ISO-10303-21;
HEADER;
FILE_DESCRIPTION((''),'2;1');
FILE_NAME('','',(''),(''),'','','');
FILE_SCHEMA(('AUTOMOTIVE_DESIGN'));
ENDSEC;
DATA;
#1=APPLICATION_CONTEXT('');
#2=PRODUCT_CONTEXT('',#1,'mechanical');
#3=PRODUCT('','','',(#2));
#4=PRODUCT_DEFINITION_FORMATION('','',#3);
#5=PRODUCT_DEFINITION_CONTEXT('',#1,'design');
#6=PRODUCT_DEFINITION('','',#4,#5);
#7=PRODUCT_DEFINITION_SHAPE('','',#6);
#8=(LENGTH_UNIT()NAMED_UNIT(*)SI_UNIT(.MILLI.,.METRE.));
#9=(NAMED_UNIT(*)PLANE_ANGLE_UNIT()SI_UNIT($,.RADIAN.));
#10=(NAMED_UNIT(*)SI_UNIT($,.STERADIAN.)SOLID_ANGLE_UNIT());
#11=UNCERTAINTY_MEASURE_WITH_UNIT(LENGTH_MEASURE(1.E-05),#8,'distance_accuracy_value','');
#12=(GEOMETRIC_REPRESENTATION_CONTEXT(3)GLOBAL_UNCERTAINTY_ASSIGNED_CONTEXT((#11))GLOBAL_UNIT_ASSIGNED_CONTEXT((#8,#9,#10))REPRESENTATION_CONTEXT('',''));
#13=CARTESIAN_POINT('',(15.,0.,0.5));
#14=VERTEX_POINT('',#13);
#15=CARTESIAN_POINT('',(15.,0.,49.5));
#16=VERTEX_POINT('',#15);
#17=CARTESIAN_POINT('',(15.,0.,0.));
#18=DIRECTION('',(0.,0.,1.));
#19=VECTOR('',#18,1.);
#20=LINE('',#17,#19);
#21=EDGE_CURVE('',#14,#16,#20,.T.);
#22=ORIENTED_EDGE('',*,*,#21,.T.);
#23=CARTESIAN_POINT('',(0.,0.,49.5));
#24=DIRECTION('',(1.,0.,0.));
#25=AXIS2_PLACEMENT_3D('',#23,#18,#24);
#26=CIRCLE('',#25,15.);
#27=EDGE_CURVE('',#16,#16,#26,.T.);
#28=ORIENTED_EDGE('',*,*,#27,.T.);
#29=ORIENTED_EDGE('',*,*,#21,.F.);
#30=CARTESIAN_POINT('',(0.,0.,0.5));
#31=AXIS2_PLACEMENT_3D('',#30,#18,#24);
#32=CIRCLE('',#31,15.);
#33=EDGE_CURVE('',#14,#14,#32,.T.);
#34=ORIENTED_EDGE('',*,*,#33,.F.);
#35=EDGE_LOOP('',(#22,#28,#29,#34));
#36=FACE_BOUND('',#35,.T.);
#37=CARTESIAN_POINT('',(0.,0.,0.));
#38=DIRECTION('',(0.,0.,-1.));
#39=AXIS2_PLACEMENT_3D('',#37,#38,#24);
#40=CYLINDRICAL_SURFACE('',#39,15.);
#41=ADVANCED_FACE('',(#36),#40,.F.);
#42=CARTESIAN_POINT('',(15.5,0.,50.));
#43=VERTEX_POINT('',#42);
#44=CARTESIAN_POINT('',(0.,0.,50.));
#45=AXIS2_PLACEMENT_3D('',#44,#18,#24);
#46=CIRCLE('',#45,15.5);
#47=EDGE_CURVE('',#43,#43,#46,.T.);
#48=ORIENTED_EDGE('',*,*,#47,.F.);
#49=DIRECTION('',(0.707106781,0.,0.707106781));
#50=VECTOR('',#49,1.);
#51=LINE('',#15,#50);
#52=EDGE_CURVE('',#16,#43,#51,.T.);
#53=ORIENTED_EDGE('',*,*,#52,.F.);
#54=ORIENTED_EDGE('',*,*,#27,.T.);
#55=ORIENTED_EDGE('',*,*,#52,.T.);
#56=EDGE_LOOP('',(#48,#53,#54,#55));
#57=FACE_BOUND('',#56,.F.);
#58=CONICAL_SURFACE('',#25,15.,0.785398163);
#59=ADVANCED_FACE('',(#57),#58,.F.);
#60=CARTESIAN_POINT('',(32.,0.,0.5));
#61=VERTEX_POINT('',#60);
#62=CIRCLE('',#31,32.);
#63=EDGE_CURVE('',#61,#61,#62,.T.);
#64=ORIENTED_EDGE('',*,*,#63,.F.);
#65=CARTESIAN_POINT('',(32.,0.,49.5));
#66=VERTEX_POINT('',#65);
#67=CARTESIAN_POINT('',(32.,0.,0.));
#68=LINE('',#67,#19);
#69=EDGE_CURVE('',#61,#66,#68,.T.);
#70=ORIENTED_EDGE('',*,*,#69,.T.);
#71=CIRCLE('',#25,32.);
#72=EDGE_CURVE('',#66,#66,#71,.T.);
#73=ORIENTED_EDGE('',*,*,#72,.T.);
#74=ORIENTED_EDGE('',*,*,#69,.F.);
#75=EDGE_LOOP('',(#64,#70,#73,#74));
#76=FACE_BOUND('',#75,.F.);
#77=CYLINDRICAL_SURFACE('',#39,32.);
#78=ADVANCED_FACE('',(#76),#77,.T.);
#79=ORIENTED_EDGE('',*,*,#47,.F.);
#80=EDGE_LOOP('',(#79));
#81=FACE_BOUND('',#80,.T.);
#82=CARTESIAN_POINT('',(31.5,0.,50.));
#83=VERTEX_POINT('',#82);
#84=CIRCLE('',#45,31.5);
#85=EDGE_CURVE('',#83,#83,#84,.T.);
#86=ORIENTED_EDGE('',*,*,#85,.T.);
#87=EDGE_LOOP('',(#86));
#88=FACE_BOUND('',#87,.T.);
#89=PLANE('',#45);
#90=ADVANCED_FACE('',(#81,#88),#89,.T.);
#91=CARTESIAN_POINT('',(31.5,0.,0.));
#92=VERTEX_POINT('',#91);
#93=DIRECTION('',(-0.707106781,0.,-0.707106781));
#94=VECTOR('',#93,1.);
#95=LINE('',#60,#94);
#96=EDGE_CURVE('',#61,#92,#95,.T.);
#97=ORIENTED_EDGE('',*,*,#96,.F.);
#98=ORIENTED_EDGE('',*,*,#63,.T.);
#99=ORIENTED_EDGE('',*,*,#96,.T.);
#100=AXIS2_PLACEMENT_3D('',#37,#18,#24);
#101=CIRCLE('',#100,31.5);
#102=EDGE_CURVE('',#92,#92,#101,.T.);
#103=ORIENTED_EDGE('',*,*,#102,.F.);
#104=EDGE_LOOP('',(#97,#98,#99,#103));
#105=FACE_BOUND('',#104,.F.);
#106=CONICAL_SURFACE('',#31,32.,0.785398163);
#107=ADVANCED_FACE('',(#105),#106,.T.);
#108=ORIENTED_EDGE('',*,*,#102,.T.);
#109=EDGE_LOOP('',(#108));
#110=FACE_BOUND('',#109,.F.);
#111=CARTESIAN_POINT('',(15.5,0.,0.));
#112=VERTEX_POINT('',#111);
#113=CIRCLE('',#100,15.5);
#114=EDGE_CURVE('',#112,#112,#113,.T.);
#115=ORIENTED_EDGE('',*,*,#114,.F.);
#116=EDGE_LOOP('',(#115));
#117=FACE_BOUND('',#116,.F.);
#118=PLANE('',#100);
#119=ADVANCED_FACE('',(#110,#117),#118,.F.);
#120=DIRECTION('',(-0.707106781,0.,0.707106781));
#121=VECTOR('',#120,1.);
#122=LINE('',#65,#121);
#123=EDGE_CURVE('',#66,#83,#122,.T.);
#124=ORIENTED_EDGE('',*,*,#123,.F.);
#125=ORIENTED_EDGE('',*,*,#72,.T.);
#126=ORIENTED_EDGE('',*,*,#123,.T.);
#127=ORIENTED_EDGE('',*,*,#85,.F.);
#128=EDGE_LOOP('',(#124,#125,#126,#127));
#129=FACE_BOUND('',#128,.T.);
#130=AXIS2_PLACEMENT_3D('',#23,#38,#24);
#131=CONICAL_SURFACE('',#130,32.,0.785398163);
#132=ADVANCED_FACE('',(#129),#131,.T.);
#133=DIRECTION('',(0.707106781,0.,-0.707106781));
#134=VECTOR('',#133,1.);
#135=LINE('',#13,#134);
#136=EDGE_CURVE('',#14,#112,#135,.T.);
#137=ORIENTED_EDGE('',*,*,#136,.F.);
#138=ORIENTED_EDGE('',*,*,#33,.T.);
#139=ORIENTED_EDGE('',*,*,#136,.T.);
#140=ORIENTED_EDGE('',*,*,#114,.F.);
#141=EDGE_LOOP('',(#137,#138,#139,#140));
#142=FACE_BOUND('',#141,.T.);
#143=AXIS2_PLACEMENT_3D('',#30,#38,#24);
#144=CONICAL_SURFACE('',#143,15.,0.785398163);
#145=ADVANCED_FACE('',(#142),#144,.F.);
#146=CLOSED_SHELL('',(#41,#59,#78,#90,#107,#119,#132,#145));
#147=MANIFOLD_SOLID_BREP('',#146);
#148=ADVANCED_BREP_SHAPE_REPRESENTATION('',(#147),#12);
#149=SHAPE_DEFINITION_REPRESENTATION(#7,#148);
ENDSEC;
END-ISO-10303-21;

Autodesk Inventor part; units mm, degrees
ref_plane "YZ Plane" through (0, 0, 0) normal (1, 0, 0) x (0, 1, 0)
ref_plane "XZ Plane" through (0, 0, 0) normal (0, 1, 0) x (-1, 0, 0)
ref_plane "XY Plane" through (0, 0, 0) normal (0, 0, 1) x (1, 0, 0)
sketch "草图1" plane through (0, 0, 0) normal (0, 0, 1) x (1, 0, 0)
  circle A0 centre (0, 0) radius 32
  circle A1 centre (0, 0) radius 15
extrude "拉伸1" add sketch "草图1" along normal blind 50
chamfer "倒角1" distance 0.5 angle 45 4 edges at (-15, 0, 50) (-15, 0, 0) (-32, 0, 50) (-32, 0, 0)
properties part number "my_attempt_v2"
